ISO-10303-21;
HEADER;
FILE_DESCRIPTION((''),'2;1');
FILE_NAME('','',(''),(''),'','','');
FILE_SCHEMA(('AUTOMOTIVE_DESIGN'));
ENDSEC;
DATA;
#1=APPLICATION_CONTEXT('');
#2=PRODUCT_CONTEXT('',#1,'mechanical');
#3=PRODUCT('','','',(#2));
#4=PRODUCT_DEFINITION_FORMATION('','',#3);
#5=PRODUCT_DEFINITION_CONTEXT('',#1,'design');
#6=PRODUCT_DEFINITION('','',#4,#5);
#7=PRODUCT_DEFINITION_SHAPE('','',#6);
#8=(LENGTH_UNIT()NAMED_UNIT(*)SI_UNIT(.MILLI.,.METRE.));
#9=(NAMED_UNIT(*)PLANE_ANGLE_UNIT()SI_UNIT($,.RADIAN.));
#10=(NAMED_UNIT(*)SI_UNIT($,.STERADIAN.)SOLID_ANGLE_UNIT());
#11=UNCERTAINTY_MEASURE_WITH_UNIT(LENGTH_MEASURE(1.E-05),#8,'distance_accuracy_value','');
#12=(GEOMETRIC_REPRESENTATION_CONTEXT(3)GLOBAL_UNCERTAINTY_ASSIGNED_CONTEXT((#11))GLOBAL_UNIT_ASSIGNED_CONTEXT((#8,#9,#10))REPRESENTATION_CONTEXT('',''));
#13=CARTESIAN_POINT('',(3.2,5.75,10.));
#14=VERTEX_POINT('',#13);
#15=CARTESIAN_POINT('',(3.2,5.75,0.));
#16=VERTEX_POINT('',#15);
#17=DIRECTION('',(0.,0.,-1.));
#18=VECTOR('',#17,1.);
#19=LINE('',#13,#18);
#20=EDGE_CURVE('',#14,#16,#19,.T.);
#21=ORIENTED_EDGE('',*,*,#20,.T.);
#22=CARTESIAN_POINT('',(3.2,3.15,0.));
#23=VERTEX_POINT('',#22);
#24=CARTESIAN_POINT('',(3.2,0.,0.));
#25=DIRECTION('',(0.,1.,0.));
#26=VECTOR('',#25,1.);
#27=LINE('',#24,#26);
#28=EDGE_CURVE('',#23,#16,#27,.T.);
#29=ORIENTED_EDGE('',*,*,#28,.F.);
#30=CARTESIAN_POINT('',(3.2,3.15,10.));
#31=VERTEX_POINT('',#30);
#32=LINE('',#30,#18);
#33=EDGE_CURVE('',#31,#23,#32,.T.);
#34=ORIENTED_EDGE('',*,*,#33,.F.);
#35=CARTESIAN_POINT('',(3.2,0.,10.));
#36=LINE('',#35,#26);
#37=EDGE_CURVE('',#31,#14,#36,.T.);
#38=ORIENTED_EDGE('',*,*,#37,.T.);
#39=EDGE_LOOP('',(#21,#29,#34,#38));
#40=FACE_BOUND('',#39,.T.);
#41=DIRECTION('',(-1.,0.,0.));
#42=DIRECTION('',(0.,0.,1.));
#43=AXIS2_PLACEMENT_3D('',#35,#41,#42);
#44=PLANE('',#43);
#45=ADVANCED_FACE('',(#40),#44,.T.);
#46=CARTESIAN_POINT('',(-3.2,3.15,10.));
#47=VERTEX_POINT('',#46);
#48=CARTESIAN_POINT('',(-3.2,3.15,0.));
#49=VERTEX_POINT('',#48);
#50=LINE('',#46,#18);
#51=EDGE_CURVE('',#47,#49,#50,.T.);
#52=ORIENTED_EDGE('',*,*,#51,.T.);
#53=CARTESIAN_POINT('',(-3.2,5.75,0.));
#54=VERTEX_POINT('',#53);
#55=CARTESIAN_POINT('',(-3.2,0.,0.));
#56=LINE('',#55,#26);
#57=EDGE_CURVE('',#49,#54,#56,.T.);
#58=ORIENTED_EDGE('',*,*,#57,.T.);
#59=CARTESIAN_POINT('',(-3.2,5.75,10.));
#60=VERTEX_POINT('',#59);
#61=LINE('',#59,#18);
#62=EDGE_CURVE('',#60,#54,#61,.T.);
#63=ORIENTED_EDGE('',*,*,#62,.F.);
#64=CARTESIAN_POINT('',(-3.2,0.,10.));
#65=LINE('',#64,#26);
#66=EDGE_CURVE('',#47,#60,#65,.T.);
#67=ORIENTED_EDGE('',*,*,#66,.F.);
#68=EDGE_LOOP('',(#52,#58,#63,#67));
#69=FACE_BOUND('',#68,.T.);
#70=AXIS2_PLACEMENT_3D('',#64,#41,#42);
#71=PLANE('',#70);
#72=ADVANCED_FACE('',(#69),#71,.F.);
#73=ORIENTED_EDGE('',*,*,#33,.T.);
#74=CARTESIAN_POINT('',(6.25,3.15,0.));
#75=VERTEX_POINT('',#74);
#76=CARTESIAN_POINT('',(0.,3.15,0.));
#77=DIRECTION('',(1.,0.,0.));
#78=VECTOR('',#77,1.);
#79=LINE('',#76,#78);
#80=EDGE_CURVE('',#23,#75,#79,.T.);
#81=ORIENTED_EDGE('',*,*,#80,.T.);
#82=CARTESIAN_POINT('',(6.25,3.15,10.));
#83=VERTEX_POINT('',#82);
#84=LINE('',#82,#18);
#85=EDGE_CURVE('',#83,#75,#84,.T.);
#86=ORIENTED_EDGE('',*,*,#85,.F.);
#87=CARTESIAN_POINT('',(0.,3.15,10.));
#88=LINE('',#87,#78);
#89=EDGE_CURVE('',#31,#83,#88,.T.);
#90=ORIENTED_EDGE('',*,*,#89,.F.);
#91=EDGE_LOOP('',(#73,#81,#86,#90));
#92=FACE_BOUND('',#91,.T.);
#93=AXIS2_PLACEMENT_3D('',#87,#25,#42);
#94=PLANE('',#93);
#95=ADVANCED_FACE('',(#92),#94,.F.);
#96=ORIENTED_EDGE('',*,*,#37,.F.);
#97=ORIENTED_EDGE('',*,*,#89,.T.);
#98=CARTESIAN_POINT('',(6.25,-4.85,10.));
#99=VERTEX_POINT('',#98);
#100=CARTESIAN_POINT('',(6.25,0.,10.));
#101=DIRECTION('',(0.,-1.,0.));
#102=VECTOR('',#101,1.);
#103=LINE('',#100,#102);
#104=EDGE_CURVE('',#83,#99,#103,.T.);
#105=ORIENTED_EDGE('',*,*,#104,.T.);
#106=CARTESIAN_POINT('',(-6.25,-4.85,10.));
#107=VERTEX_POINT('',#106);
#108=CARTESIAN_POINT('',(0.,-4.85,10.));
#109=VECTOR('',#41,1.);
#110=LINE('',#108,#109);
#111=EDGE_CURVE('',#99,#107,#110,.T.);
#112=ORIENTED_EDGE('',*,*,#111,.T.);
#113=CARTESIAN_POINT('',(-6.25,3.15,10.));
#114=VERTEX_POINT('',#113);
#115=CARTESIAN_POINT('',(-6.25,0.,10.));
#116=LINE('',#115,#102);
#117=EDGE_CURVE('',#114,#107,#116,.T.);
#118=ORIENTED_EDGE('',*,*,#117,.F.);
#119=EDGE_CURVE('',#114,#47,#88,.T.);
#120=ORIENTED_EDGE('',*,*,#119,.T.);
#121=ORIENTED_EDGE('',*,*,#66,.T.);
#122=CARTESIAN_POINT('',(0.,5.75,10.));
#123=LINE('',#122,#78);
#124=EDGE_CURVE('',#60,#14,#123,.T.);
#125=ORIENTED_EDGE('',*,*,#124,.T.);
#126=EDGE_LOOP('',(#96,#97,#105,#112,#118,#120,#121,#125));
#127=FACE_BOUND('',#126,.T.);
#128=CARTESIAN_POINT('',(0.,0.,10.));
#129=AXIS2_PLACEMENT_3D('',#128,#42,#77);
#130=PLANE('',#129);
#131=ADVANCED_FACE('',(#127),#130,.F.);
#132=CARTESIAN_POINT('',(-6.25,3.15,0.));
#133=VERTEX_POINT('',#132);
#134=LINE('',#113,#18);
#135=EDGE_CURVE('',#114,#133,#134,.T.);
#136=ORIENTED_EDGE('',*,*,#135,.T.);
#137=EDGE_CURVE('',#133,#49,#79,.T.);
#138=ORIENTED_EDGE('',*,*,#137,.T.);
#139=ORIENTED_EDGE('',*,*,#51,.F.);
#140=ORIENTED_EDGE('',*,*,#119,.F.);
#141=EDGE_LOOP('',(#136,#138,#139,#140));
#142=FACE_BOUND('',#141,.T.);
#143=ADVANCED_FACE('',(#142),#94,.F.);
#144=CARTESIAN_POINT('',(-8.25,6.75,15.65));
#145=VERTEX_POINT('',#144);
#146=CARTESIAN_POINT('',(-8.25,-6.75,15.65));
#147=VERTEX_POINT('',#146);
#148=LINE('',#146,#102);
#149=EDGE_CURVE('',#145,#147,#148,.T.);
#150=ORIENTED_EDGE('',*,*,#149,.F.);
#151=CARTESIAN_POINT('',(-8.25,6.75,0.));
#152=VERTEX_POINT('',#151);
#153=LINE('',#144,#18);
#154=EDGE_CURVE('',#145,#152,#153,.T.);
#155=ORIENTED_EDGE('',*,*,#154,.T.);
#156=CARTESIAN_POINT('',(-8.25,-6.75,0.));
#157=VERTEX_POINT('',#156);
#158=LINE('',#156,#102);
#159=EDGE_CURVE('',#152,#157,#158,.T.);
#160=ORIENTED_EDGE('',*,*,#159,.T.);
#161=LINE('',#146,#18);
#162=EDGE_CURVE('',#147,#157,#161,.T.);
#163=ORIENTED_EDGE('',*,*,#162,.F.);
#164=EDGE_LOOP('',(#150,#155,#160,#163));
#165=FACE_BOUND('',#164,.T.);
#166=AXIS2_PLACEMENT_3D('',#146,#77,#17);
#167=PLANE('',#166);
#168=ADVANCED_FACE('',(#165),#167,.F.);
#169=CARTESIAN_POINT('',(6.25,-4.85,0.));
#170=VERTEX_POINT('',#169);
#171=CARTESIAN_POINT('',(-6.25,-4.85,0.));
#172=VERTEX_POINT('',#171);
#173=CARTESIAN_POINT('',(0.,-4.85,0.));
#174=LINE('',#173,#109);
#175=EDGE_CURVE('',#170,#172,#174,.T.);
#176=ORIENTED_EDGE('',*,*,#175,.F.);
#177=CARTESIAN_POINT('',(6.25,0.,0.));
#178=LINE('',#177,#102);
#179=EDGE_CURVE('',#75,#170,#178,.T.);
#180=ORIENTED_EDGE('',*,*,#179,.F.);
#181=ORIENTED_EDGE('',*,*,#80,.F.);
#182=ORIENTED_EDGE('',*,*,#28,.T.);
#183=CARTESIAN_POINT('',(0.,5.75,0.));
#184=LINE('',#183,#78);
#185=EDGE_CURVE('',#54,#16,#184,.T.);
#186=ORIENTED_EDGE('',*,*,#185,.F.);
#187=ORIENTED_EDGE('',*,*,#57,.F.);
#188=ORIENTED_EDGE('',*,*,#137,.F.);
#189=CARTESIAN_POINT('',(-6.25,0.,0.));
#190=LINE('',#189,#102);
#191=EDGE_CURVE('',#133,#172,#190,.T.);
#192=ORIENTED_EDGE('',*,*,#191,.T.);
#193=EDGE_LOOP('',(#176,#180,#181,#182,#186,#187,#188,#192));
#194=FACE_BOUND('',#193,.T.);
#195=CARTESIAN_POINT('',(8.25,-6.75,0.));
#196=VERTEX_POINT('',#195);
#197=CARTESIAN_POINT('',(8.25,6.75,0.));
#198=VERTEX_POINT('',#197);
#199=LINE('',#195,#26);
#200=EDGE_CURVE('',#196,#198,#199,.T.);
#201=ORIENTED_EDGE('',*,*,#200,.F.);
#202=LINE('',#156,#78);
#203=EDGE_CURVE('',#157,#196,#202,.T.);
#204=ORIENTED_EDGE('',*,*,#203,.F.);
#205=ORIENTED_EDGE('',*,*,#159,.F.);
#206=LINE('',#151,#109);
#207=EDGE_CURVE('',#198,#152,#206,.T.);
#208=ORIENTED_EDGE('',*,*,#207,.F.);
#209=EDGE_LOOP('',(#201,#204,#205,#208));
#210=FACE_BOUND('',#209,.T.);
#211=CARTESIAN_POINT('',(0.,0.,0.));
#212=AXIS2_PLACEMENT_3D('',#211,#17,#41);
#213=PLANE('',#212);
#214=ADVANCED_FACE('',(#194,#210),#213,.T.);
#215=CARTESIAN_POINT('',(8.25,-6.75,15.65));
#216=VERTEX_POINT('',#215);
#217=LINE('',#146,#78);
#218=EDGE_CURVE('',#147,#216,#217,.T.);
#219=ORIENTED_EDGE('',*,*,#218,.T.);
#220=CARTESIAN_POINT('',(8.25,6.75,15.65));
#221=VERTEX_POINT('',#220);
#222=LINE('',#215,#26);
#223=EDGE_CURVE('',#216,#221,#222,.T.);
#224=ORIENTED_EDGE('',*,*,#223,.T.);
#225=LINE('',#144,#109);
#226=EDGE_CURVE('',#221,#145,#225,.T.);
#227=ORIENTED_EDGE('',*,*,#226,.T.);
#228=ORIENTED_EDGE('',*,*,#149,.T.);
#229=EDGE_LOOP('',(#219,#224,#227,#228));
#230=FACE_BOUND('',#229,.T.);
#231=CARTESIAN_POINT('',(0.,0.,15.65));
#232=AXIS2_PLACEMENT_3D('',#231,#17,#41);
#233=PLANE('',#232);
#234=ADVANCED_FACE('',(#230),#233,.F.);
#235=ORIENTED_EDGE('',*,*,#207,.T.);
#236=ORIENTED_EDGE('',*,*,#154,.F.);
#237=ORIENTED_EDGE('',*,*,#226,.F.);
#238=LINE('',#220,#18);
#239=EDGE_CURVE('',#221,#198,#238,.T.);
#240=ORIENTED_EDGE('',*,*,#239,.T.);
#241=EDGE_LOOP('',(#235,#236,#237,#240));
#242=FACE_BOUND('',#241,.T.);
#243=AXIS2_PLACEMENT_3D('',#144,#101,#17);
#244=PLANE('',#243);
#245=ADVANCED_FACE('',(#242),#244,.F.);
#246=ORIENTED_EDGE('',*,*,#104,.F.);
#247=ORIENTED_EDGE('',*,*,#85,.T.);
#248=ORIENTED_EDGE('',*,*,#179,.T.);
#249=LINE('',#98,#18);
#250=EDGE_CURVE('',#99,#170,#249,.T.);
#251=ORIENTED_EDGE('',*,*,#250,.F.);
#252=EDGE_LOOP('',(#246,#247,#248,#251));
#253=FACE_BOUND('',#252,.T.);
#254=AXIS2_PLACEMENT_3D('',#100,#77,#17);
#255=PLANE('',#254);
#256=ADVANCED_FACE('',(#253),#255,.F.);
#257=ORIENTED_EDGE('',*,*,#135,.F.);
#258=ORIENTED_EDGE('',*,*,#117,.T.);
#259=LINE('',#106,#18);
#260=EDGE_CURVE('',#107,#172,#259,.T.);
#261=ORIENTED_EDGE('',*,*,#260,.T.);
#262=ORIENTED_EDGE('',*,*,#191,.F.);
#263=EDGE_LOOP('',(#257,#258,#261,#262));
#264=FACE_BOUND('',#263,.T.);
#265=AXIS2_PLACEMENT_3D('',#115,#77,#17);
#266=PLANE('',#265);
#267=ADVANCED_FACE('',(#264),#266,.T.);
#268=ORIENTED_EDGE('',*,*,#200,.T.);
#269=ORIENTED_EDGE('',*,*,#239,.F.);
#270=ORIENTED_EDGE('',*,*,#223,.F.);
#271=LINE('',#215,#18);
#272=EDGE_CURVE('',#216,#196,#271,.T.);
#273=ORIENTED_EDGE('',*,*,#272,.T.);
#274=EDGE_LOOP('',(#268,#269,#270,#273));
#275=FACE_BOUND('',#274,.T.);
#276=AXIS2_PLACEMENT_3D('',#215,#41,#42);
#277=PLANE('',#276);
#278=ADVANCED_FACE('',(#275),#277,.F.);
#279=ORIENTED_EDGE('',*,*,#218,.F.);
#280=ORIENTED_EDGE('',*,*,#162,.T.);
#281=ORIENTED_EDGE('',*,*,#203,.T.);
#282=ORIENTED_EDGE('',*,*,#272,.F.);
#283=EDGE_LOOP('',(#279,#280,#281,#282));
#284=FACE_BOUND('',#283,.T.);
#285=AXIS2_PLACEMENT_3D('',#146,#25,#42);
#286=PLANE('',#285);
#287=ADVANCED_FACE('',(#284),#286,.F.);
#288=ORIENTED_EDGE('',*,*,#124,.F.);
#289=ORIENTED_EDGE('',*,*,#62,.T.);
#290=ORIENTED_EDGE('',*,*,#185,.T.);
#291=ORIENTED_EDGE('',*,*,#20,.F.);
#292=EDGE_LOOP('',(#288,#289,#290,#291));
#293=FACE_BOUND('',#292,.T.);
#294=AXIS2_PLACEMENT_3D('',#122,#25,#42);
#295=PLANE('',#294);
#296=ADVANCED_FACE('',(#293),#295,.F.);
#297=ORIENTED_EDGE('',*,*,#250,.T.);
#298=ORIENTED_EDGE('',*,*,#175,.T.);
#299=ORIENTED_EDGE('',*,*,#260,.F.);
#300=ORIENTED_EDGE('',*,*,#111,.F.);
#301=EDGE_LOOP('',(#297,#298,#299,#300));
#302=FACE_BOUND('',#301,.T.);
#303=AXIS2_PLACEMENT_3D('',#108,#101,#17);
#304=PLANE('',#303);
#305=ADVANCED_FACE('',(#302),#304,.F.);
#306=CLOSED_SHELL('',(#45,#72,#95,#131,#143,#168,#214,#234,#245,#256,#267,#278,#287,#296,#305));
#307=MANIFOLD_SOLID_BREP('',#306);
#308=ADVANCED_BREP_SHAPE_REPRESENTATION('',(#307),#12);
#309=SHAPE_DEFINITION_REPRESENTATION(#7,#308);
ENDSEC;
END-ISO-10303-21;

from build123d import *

# Parameters (mm, degrees)
SKETCH1_W           = 16.5
SKETCH1_H           = 13.5
BOSS_EXTRUDE1_DEPTH = 15.65
SKETCH2_W           = 6.4
SKETCH2_H           = 5.096586226
SKETCH2_H_2         = 1.7
SKETCH2_H_3         = 0.9
CUT_EXTRUDE1_DEPTH  = 10


with BuildPart() as part:
    # Sketch1 → Boss-Extrude1 (new body)
    with BuildSketch(Plane.XY):
        Rectangle(SKETCH1_W, SKETCH1_H)
    extrude(amount=BOSS_EXTRUDE1_DEPTH)

    # Sketch2 → Cut-Extrude1 (cut)
    with BuildSketch(Plane.XY):
        Polygon((6.25, -4.85), (6.25, 3.15), (3.2, 3.15), (3.2, -1.946586226), (-3.2, -1.946586226), (-3.2, 3.15), (-6.25, 3.15), (-6.25, -4.85), align=None)
        with Locations((0, 0.601706887)):
            Rectangle(SKETCH2_W, SKETCH2_H)
        with Locations((0, 4)):
            Rectangle(SKETCH2_W, SKETCH2_H_2)
        with Locations((0, 5.3)):
            Rectangle(SKETCH2_W, SKETCH2_H_3)
    extrude(amount=CUT_EXTRUDE1_DEPTH, mode=Mode.SUBTRACT)


solid = part.part
